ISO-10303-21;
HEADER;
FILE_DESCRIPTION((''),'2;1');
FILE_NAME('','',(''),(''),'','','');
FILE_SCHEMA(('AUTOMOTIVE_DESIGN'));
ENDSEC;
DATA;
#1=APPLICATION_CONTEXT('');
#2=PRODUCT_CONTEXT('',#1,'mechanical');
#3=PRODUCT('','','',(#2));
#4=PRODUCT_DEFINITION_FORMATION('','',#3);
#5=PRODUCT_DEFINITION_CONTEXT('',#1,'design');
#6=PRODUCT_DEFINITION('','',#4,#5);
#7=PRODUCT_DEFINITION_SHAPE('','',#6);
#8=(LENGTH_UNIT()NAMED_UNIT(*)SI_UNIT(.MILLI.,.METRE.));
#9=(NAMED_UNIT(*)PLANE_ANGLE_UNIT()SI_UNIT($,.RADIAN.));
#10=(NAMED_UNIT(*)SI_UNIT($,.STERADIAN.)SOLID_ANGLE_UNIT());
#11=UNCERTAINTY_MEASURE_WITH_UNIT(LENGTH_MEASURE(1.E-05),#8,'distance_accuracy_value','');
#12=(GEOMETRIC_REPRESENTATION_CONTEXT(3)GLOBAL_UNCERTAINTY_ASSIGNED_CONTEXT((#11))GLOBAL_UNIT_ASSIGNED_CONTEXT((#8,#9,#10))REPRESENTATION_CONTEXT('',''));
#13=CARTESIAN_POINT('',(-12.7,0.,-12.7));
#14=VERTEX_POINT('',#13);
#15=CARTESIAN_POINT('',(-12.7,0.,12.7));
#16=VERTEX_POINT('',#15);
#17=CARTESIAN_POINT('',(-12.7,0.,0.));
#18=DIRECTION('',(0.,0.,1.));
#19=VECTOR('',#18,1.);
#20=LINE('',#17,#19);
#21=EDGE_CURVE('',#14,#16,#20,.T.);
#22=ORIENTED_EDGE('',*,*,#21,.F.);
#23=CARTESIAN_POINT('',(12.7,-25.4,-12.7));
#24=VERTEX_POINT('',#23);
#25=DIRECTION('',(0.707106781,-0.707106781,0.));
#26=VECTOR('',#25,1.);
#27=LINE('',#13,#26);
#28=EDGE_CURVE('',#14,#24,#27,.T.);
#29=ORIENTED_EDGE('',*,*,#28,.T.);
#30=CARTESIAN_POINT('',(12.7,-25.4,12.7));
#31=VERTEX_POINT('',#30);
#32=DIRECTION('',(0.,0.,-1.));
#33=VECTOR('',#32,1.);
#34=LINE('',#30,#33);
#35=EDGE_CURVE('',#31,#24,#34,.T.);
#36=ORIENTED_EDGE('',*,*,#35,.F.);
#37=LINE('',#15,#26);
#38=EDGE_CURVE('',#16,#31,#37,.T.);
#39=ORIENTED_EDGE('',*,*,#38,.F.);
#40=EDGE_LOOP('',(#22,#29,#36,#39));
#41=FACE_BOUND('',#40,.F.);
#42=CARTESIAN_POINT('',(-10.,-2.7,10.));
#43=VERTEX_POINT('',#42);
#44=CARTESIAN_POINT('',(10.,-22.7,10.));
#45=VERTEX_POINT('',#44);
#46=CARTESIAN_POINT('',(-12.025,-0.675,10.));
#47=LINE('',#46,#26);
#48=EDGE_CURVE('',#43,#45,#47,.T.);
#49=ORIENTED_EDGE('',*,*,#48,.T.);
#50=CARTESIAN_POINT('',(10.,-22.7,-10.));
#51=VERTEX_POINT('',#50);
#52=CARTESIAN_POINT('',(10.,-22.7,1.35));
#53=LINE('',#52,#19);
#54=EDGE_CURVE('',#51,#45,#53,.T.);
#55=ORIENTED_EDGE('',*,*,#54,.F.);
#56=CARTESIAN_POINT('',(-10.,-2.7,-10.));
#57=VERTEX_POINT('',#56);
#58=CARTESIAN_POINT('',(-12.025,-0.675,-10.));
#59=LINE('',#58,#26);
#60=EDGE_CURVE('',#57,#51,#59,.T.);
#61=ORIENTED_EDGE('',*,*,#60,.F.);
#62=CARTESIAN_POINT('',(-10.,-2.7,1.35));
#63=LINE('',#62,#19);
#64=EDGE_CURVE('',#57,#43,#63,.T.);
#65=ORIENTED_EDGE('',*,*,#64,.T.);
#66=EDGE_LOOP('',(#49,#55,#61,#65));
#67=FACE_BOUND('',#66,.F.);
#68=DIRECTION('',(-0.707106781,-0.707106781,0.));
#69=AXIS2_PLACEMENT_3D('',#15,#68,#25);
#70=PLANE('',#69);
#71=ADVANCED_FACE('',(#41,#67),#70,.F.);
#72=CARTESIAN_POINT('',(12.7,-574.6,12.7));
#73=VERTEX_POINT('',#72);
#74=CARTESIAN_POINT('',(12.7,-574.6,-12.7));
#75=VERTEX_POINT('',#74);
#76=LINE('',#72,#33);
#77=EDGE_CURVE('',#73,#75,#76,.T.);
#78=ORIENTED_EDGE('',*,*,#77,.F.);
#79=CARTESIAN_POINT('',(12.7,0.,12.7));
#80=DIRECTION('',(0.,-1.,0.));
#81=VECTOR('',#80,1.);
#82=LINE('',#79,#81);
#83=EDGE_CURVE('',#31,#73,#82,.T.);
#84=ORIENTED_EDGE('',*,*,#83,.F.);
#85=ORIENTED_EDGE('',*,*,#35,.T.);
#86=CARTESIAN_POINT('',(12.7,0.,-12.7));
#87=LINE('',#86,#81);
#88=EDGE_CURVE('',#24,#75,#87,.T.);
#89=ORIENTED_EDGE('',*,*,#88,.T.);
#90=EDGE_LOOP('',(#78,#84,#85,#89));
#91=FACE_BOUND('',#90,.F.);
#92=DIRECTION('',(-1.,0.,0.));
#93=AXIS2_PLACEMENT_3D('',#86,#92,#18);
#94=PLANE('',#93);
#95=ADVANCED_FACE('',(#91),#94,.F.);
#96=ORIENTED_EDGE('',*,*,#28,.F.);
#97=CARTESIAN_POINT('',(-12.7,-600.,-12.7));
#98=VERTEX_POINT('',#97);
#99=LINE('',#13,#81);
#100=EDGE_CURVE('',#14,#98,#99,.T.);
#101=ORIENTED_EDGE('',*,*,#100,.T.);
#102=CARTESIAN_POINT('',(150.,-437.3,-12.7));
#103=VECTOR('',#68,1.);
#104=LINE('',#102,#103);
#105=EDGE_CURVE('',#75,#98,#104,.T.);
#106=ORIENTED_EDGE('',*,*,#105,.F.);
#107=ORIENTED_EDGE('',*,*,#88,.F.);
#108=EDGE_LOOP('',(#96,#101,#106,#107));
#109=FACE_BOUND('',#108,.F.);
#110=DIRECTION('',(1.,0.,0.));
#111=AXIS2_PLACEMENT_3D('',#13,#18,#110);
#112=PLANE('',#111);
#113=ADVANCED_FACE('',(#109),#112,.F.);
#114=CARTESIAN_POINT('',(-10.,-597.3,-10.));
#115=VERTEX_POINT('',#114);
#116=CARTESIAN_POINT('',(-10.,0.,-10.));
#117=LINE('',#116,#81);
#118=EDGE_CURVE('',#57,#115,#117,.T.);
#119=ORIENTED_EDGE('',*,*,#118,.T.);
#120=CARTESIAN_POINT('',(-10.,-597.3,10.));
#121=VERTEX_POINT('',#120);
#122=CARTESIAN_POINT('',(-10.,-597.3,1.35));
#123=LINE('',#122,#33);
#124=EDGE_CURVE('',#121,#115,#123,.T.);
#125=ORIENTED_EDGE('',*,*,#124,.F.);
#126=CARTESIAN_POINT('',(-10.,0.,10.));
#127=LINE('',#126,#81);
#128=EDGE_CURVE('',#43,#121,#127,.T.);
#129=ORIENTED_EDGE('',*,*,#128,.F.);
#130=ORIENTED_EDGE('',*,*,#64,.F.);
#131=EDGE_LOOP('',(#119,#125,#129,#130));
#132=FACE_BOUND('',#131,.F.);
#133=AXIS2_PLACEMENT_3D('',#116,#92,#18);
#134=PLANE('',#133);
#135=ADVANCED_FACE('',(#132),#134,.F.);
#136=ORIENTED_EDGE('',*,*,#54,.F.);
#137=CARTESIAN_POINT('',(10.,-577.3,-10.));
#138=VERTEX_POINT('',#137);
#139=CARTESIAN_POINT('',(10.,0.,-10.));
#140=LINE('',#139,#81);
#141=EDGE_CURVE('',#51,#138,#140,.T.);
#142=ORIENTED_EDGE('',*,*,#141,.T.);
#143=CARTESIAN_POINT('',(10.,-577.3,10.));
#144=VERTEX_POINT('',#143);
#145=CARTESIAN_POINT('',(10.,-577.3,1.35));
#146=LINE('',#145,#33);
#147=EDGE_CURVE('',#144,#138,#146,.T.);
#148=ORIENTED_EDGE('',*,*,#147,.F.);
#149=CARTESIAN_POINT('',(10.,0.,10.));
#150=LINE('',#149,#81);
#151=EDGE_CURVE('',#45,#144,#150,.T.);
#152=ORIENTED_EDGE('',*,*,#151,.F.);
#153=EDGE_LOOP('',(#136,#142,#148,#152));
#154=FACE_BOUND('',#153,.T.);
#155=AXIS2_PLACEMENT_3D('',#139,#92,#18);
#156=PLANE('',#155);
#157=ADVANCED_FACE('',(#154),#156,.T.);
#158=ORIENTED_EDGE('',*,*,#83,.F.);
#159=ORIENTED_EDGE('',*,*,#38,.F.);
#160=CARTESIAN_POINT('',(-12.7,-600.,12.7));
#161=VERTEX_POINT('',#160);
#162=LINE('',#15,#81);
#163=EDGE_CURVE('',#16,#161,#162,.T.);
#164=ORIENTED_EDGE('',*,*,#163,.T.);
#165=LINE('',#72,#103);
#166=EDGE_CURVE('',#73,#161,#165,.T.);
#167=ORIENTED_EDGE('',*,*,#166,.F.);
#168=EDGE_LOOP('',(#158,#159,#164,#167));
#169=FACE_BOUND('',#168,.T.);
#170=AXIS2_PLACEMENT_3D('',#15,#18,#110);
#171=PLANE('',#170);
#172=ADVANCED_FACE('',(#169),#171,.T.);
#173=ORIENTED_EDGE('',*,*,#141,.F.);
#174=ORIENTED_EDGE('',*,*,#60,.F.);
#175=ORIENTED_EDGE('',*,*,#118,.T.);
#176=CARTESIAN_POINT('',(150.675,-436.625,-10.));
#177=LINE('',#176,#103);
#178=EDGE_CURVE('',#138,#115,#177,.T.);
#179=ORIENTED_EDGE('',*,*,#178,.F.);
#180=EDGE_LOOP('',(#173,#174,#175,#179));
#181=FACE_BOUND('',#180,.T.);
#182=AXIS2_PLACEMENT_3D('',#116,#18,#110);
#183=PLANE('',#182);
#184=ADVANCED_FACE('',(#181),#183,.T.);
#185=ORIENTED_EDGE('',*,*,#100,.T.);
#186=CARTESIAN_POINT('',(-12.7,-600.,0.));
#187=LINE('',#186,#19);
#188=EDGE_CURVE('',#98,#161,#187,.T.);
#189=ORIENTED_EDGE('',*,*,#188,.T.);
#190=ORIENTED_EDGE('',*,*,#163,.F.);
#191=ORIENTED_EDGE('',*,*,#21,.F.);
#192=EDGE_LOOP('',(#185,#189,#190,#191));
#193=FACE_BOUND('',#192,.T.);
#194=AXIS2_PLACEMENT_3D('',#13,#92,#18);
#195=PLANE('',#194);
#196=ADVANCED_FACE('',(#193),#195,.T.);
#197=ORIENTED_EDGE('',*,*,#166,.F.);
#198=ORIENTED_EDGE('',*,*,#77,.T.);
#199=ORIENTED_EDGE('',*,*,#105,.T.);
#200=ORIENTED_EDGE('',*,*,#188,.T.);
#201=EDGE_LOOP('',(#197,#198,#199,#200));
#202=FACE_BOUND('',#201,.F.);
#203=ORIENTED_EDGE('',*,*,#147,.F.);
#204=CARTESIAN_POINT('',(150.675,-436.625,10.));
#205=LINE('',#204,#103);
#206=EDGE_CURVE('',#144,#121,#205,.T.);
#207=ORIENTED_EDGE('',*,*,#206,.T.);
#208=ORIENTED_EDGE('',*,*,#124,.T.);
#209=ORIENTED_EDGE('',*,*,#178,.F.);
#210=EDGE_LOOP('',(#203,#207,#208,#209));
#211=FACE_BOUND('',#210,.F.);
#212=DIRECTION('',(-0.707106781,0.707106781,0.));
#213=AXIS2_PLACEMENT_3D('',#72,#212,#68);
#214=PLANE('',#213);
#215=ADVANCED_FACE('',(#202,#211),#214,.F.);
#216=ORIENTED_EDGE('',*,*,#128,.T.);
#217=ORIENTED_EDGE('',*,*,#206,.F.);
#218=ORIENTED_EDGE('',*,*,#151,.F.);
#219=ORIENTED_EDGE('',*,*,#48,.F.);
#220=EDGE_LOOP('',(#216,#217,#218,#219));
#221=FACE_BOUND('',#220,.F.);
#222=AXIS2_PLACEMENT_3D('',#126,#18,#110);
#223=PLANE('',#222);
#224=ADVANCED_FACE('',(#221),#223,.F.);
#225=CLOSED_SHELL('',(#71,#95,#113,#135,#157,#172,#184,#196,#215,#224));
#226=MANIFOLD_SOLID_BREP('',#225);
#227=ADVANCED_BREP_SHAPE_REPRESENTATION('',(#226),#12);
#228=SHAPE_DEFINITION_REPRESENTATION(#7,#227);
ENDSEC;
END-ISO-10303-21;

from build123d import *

# Parameters (mm, degrees)
F0_W     = 25.4
F0_H     = 25.4
F0_W_2   = 20
F0_H_2   = 20
F1_DEPTH = 600
F3_DEPTH = 26


with BuildPart() as f1:
    # F0 (on Front) → F1 (new body)
    with BuildSketch(Plane.XZ):
        Rectangle(F0_W, F0_H)
        Rectangle(F0_W_2, F0_H_2, mode=Mode.SUBTRACT)
    extrude(amount=F1_DEPTH)

    # F2 (on face) → F3 (cut)
    with BuildSketch(Plane.XY.offset(12.7)):
        Polygon((12.7, -574.6), (-12.7, -600), (12.7, -600), align=None)
        Polygon((12.7, 0), (-12.7, 0), (12.7, -25.4), align=None)
    extrude(amount=-F3_DEPTH, mode=Mode.SUBTRACT)


solid = f1.part
